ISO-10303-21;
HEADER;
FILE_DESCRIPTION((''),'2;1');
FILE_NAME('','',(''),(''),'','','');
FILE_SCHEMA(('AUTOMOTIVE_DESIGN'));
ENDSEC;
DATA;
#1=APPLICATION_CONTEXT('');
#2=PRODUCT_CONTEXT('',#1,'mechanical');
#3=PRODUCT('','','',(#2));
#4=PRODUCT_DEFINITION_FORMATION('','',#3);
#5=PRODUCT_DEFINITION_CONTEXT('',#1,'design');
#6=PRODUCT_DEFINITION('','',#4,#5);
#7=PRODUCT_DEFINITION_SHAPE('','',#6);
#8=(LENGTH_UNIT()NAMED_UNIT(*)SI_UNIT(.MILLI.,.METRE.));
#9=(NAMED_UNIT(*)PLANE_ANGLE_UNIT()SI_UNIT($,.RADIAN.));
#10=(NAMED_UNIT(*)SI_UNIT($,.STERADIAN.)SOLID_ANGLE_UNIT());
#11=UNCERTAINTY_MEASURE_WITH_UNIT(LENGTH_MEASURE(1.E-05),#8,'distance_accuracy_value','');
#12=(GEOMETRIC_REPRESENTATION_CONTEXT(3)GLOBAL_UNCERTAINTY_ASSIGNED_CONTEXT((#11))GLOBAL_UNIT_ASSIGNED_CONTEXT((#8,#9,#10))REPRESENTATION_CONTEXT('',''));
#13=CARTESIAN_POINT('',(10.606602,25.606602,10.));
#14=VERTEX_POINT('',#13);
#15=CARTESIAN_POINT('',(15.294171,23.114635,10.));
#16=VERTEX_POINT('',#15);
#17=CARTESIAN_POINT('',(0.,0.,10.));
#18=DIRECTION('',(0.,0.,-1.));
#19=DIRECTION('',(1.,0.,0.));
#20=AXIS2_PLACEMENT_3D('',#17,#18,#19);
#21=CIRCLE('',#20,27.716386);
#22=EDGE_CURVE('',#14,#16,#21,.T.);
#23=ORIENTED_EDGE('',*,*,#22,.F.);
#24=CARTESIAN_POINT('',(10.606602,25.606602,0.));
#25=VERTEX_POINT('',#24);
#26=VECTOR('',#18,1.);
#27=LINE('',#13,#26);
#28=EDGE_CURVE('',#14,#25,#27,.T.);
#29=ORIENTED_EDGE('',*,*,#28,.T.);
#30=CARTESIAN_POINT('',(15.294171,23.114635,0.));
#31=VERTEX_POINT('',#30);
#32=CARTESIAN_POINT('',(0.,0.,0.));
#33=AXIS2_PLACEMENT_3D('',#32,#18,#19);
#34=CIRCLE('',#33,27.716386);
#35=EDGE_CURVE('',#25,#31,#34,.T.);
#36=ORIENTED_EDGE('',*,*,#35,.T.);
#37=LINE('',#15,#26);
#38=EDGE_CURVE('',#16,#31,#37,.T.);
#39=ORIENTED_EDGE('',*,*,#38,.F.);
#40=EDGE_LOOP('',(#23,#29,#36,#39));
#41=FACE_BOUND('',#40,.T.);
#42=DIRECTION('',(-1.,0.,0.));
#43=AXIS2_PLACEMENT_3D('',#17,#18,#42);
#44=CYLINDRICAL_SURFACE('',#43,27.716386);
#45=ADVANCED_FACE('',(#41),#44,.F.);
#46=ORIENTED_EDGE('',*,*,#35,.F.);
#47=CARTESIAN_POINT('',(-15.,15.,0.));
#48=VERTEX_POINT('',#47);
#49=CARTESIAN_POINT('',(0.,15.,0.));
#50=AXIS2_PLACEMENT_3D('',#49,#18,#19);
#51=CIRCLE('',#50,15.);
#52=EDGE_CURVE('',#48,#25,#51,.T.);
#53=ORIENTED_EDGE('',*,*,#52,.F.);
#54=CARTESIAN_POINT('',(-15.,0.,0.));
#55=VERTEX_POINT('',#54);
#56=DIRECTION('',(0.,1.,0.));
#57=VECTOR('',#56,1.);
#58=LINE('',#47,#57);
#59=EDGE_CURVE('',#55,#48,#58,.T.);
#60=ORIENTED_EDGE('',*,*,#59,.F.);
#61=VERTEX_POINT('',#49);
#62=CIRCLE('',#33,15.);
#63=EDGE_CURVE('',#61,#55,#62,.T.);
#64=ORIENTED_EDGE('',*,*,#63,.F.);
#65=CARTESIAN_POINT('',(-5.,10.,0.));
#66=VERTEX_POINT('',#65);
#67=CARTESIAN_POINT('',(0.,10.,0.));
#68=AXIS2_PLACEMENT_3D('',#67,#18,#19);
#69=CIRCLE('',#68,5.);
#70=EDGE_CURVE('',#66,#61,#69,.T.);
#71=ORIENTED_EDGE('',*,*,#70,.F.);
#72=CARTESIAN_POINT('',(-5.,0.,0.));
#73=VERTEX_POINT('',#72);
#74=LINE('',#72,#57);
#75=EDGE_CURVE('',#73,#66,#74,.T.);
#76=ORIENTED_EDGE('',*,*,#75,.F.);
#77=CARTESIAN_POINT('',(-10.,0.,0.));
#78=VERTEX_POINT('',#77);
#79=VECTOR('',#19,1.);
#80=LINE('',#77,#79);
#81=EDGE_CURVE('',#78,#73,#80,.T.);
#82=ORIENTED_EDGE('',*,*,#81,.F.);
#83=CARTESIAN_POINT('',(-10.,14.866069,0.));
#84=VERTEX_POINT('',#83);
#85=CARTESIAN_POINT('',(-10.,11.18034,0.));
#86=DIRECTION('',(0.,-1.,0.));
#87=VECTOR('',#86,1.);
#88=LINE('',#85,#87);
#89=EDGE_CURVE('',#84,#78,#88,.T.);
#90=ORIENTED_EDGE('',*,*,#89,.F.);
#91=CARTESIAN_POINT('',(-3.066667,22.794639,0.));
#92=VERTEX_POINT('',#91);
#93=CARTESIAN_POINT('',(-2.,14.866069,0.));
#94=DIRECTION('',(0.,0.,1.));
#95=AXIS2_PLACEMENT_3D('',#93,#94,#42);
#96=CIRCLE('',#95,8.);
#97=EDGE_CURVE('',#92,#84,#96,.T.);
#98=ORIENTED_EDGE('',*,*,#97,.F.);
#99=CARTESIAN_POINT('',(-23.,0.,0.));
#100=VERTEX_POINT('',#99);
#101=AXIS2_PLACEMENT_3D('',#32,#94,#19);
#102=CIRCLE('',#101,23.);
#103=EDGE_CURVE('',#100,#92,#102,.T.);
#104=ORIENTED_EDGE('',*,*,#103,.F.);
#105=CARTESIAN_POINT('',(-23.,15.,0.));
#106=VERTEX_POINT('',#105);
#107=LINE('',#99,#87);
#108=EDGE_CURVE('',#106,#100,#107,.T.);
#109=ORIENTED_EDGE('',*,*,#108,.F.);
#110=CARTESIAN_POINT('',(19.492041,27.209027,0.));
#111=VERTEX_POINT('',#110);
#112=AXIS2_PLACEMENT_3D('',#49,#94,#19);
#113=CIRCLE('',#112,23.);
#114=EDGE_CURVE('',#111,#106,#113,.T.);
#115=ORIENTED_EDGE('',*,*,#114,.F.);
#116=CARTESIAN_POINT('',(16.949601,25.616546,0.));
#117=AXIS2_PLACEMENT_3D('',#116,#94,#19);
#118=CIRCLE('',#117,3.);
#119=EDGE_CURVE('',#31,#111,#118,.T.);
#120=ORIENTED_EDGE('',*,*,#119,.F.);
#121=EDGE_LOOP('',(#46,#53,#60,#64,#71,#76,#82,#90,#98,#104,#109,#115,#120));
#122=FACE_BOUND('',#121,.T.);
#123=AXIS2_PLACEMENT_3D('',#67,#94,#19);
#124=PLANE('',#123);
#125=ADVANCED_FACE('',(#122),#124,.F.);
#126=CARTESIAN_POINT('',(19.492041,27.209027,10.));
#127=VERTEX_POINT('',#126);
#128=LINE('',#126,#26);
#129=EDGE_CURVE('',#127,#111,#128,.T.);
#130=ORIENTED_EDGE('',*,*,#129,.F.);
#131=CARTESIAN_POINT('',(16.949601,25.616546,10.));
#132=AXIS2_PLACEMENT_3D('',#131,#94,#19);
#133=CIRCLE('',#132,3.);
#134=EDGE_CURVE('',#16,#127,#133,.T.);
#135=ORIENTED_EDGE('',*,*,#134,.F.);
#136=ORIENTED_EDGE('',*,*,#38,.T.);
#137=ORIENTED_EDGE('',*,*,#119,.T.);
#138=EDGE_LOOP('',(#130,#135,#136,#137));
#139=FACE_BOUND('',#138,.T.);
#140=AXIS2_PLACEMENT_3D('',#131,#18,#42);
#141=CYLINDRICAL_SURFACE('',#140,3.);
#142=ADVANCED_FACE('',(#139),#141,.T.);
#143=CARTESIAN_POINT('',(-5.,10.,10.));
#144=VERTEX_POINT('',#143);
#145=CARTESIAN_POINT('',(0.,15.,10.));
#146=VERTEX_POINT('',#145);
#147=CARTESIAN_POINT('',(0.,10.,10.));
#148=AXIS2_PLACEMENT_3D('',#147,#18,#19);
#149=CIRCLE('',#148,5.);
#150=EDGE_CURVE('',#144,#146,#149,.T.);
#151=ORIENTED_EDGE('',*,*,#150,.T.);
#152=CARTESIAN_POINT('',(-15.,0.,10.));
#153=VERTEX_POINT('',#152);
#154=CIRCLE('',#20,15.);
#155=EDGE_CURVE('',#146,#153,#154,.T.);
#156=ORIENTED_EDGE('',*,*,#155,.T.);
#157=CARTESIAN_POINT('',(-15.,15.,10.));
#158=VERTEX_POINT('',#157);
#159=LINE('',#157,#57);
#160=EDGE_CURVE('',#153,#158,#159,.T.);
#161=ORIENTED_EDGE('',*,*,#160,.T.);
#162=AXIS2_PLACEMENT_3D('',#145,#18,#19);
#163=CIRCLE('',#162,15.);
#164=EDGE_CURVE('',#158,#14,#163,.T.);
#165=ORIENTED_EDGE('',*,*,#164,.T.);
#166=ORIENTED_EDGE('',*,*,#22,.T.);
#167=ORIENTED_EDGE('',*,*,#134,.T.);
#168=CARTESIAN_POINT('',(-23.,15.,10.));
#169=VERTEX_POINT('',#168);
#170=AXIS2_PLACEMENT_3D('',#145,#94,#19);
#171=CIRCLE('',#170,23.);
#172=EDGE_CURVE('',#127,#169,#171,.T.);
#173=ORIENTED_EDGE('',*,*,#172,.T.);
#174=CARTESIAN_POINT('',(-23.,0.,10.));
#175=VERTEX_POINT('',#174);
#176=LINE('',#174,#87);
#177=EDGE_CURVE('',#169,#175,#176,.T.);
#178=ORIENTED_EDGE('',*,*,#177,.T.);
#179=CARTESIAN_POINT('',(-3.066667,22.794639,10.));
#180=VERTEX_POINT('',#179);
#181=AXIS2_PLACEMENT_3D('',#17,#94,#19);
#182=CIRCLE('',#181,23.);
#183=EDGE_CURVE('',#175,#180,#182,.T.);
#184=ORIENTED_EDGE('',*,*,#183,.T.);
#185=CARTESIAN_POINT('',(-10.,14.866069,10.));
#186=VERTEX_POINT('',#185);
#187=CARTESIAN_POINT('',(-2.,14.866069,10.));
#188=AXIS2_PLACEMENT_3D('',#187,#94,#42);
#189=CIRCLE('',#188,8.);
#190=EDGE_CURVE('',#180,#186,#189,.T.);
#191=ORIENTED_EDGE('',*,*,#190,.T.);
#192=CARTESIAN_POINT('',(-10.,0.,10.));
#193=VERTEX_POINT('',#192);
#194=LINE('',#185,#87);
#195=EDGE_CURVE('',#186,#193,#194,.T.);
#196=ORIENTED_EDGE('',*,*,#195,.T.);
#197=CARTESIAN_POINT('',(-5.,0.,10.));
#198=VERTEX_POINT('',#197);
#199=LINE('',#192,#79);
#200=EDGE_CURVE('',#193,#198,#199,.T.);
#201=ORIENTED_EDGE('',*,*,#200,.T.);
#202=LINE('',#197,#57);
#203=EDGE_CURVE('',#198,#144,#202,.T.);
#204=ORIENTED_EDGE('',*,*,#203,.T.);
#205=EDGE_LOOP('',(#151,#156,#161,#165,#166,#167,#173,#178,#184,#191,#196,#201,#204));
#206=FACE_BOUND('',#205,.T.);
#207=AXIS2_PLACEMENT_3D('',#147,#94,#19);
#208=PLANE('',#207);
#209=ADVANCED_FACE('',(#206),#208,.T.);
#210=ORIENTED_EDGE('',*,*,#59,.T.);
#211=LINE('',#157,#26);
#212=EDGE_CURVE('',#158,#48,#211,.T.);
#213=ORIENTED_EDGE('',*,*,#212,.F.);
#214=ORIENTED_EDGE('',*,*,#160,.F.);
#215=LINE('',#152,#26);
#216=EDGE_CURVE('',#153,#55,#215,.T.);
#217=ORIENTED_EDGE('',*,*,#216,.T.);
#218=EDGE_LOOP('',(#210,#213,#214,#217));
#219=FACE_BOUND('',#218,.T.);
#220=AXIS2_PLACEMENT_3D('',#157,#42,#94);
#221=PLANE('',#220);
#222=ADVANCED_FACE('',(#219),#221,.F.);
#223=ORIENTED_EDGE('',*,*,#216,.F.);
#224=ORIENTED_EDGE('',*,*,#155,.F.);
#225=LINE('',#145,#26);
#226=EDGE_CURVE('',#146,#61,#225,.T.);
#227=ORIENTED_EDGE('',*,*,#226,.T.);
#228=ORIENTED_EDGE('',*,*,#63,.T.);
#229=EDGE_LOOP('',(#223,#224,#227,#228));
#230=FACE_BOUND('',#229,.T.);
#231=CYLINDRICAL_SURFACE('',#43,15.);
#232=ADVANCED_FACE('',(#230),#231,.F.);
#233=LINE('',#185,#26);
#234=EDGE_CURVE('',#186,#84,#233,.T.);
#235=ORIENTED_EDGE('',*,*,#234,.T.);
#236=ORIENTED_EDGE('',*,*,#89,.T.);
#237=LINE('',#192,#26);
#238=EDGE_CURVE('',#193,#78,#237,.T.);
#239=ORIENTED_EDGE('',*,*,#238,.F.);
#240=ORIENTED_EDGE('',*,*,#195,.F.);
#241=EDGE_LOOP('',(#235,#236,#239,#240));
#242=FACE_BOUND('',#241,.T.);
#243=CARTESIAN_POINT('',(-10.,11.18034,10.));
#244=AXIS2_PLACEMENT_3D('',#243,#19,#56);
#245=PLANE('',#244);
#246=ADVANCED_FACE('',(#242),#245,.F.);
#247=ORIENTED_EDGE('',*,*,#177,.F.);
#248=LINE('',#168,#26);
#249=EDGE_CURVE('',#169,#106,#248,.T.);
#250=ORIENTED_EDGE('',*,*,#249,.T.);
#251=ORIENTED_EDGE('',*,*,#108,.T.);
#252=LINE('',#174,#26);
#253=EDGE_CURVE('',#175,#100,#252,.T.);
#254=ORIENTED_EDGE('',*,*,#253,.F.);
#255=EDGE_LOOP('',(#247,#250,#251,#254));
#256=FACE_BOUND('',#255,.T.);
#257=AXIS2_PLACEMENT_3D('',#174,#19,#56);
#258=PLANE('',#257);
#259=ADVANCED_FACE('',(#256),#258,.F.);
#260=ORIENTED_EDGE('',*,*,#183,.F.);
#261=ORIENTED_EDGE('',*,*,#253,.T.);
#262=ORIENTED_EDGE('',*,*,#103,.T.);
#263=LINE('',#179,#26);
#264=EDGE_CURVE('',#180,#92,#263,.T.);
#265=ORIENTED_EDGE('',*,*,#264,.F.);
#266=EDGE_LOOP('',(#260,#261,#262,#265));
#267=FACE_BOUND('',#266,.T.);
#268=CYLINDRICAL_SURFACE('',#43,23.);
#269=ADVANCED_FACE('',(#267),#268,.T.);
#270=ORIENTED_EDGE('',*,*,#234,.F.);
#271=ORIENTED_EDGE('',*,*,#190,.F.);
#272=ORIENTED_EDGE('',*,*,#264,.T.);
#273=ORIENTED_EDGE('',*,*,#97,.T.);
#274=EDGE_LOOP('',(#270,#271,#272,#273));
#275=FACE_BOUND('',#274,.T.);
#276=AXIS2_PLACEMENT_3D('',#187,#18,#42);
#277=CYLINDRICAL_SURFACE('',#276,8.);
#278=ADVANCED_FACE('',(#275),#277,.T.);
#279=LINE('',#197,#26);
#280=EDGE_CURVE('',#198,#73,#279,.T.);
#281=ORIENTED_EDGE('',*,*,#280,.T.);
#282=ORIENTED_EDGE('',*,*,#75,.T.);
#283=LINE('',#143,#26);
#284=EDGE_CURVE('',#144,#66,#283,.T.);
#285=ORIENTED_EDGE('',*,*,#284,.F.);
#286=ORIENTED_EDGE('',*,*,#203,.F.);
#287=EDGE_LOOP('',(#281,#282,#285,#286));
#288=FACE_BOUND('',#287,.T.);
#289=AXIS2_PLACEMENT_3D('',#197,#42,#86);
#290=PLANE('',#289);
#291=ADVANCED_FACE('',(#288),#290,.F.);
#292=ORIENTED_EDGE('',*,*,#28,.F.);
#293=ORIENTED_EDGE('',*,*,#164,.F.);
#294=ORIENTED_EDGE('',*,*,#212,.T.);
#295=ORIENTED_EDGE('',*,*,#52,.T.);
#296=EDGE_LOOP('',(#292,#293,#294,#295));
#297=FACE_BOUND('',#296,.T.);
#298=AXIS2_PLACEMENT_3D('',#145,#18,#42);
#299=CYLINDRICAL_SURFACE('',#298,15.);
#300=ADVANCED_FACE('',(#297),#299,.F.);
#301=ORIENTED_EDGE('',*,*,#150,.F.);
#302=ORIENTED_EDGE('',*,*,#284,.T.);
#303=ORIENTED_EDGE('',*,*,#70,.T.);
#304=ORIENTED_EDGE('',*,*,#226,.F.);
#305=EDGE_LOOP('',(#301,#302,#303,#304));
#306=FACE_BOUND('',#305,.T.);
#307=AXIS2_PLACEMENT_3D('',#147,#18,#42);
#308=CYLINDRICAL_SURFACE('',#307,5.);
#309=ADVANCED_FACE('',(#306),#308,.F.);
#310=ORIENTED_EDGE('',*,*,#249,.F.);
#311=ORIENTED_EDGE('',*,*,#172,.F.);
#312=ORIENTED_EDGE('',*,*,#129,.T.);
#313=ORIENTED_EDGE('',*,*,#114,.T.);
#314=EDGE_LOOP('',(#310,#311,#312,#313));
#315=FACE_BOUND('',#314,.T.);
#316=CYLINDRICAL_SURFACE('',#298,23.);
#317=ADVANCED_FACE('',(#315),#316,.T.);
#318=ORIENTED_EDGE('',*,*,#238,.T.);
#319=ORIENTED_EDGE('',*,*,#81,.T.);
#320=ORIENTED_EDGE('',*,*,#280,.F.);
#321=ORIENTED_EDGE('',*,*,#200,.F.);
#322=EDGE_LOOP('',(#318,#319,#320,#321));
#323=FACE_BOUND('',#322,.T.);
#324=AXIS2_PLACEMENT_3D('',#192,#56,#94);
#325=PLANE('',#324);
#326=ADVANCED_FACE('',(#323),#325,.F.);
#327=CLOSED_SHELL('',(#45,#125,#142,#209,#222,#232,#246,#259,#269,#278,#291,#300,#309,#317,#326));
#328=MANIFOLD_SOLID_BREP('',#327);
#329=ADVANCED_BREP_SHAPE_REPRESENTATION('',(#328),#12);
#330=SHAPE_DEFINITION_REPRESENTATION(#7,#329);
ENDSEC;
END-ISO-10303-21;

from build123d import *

# Parameters (mm, degrees)
BOSS_EXTRUDE1_DEPTH = 10


with BuildPart() as part:
    # Sketch1 → Boss-Extrude1 (new body)
    with BuildSketch(Plane.XY):
        with BuildLine():
            Line((-23, 0), (-23, 15))
            ThreePointArc((-23, 15), (-6.351498428, 37.105620727), (19.492040672, 27.209027416))
            ThreePointArc((19.492040672, 27.209027416), (19.044286348, 23.468920949), (15.294171401, 23.114635465))
            ThreePointArc((15.294171401, 23.114635465), (13.010187777, 24.473109029), (10.606601718, 25.606601718))
            ThreePointArc((10.606601718, 25.606601718), (-5.740251485, 28.858192988), (-15, 15))
            Line((-15, 15), (-15, 0))
            ThreePointArc((-15, 0), (10.606601718, -10.606601718), (0, 15))
            ThreePointArc((0, 15), (-3.535533906, 13.535533906), (-5, 10))
            Line((-5, 10), (-5, 0))
            Line((-5, 0), (-10, 0))
            Line((-10, 0), (-10, 11.180339887))
            Line((-10, 11.180339887), (-10, 14.866068747))
            ThreePointArc((-10, 14.866068747), (-8.022181222, 20.132313456), (-3.066666667, 22.794638746))
            ThreePointArc((-3.066666667, 22.794638746), (17.313771012, -15.140453538), (-23, 0))
        make_face()
    extrude(amount=BOSS_EXTRUDE1_DEPTH)


solid = part.part
